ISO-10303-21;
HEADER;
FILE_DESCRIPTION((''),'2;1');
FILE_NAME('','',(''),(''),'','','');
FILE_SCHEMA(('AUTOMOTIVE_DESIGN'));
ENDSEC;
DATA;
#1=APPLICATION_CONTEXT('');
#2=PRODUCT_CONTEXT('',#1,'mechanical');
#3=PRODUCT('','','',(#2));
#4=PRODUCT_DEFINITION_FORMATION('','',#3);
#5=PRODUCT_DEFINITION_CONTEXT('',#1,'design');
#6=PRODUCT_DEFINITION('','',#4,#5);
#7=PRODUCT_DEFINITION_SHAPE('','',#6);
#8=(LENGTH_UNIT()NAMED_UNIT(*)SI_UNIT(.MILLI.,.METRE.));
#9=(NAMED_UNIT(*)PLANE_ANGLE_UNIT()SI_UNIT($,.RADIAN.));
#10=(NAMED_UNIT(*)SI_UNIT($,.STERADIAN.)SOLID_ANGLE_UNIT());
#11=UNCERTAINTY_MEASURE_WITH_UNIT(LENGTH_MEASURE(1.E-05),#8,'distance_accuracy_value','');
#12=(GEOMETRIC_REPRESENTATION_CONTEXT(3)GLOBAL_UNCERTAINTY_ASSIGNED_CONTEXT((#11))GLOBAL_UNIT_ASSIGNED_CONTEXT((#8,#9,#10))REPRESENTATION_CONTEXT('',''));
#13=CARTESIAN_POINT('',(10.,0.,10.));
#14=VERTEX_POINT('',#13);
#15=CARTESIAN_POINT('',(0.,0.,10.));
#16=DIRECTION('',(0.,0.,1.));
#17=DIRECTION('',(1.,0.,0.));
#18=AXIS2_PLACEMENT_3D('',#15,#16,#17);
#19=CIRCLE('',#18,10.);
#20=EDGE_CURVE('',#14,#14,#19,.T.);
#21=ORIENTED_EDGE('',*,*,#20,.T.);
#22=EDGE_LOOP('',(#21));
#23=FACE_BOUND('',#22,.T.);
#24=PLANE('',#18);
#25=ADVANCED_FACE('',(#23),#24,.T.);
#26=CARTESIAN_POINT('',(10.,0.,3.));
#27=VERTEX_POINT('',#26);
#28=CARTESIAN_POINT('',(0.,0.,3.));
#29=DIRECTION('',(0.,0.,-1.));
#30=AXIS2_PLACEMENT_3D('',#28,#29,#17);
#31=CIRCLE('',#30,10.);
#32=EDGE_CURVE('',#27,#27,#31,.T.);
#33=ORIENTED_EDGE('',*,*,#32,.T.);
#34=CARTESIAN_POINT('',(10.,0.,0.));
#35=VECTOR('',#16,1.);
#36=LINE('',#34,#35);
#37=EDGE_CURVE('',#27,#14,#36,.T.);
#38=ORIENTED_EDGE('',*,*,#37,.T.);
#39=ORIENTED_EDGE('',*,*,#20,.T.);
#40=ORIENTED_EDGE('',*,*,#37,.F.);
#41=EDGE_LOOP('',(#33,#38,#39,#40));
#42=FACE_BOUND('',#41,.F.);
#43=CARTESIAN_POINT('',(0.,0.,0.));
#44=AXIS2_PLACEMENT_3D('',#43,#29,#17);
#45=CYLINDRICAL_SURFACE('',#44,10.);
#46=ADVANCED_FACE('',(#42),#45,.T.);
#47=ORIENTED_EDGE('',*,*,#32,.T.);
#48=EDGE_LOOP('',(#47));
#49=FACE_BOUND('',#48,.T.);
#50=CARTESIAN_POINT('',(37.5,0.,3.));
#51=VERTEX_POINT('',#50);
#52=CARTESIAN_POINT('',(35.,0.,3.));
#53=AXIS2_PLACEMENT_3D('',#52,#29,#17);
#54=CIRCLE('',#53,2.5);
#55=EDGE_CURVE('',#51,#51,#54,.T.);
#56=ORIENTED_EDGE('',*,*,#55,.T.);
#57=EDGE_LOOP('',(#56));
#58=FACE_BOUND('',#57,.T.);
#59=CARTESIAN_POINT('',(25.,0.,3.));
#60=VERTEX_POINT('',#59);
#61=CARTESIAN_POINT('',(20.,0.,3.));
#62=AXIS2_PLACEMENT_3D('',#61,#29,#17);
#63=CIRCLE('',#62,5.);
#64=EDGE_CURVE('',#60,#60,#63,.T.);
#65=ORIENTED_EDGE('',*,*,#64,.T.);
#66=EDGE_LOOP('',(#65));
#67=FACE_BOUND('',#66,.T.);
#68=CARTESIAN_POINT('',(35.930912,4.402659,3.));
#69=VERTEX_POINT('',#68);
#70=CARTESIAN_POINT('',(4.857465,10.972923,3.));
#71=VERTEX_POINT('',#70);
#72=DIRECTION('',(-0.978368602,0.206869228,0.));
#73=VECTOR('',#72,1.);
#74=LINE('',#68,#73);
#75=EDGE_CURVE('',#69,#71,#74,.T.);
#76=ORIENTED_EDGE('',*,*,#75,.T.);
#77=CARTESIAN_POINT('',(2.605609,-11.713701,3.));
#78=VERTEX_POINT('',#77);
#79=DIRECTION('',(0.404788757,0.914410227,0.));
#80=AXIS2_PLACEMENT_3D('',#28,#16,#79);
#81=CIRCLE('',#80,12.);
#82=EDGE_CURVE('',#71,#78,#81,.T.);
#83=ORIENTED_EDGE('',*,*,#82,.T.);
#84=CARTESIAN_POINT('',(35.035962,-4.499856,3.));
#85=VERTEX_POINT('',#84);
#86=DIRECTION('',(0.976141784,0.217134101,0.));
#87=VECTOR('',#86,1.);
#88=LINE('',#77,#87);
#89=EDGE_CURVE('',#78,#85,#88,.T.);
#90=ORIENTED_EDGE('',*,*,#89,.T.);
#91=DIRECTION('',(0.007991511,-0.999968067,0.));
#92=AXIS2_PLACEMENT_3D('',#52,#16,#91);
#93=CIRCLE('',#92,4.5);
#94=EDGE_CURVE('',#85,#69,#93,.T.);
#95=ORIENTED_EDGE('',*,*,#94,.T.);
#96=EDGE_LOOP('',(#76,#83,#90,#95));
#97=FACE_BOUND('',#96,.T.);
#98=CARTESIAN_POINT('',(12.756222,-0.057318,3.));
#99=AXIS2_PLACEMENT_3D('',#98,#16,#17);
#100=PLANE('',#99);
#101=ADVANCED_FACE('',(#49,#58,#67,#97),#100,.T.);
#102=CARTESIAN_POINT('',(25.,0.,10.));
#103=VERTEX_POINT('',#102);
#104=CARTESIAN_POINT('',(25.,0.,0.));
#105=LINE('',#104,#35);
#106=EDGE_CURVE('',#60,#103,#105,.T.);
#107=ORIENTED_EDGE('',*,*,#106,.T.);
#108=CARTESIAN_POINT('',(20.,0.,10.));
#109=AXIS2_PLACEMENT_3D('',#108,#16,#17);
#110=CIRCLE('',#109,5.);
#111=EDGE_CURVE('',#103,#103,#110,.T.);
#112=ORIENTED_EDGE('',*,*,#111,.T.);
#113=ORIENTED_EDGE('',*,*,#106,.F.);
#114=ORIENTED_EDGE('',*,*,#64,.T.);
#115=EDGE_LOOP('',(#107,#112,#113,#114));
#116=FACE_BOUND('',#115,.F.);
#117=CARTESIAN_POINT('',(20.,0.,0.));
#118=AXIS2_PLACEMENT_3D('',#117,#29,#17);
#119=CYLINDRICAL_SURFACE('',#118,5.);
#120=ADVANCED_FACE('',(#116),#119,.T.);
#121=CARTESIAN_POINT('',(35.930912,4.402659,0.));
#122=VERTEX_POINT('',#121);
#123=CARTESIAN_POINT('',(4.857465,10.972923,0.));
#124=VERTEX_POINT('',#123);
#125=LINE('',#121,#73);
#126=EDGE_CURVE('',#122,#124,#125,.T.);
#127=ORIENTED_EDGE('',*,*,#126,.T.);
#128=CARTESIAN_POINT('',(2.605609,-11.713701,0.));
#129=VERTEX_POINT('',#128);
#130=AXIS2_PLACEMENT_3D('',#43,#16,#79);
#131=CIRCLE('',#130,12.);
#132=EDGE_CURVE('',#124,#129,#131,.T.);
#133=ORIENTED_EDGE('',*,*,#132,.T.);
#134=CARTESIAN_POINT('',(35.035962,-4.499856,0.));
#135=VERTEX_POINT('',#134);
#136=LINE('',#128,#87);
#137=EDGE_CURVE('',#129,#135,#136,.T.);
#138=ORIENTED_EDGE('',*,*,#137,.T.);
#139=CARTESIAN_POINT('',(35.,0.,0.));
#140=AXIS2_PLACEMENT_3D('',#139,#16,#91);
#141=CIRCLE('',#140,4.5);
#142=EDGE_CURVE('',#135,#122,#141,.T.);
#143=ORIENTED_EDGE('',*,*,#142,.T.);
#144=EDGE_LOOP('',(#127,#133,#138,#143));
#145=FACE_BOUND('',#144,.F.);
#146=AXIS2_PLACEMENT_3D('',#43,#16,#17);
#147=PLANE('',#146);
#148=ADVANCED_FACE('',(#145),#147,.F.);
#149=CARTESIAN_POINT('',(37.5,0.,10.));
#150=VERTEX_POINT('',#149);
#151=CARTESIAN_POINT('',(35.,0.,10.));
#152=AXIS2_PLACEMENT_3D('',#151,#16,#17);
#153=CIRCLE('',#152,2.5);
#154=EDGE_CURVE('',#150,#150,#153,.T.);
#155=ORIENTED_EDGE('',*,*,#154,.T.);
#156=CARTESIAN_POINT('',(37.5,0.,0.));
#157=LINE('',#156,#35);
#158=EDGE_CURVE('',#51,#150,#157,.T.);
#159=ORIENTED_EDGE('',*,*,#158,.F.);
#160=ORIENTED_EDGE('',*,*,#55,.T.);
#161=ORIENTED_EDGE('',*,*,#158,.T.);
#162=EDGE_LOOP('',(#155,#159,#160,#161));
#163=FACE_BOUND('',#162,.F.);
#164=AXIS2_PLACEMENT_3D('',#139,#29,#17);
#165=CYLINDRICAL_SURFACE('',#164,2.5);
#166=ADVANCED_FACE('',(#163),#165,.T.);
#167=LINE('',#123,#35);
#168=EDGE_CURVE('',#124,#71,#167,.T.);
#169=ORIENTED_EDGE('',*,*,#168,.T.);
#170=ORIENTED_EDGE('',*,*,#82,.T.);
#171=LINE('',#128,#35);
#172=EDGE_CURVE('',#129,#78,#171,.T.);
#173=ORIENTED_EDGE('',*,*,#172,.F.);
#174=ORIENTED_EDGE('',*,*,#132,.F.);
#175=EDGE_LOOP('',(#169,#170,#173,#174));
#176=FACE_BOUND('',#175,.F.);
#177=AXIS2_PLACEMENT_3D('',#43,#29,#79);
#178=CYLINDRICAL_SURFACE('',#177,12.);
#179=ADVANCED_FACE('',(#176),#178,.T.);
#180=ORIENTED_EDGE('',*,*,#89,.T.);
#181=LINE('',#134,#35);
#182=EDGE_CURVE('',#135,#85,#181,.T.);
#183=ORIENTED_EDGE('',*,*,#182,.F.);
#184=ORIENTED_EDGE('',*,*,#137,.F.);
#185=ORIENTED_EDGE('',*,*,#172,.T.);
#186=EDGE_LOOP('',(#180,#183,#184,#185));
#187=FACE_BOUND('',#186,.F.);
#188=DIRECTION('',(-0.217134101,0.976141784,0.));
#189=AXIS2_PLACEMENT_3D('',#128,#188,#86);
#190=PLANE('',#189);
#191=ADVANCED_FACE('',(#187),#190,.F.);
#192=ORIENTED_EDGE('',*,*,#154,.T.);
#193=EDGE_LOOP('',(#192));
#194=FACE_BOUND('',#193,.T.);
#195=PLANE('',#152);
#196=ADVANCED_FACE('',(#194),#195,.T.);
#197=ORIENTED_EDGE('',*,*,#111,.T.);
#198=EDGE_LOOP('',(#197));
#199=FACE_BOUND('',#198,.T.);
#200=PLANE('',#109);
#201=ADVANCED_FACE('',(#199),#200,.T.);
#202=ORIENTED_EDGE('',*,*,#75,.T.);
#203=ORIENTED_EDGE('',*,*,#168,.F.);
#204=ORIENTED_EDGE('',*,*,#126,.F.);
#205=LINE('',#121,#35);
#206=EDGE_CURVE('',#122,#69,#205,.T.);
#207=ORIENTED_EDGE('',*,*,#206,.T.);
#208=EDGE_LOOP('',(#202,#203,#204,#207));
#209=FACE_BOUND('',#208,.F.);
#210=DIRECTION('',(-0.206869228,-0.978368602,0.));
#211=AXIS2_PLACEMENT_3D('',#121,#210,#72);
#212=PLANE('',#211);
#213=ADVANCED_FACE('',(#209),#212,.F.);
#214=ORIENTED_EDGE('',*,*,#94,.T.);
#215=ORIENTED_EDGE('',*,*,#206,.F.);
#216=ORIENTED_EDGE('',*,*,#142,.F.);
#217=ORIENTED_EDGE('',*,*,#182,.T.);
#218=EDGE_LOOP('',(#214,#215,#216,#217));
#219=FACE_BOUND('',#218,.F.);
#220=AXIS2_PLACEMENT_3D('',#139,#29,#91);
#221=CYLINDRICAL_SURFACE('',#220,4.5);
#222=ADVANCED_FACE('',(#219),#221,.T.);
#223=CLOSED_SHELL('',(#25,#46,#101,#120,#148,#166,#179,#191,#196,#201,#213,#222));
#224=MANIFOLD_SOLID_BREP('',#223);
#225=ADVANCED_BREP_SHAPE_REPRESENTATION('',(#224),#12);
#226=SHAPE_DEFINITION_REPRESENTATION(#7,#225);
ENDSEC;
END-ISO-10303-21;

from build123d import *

# Parameters (mm, degrees)
F0_R     = 10
F0_R_2   = 5
F0_R_3   = 2.5
F1_DEPTH = 3
F2_DEPTH = 10


with BuildPart() as f1:
    # F0 (on Top) → F1 (new body)
    with BuildSketch(Plane.XY):
        with BuildLine():
            Line((2.605609, -11.713701), (35.035962, -4.499856))
            ThreePointArc((35.035962, -4.499856), (39.477433, -0.450106), (35.930912, 4.402659))
            Line((35.930912, 4.402659), (4.857465, 10.972923))
            ThreePointArc((4.857465, 10.972923), (-11.941319, 1.185285), (2.605609, -11.713701))
        make_face()
        Circle(F0_R, mode=Mode.SUBTRACT)
        with Locations((20, 0)):
            Circle(F0_R_2, mode=Mode.SUBTRACT)
        with Locations((35, 0)):
            Circle(F0_R_3, mode=Mode.SUBTRACT)
        Circle(F0_R)
        with Locations((20, 0)):
            Circle(F0_R_2)
        with Locations((35, 0)):
            Circle(F0_R_3)
    extrude(amount=F1_DEPTH)

    # F0 (on Top) → F2 (join)
    with BuildSketch(Plane.XY):
        Circle(F0_R)
        with Locations((20, 0)):
            Circle(F0_R_2)
        with Locations((35, 0)):
            Circle(F0_R_3)
    extrude(amount=F2_DEPTH)


solid = f1.part
